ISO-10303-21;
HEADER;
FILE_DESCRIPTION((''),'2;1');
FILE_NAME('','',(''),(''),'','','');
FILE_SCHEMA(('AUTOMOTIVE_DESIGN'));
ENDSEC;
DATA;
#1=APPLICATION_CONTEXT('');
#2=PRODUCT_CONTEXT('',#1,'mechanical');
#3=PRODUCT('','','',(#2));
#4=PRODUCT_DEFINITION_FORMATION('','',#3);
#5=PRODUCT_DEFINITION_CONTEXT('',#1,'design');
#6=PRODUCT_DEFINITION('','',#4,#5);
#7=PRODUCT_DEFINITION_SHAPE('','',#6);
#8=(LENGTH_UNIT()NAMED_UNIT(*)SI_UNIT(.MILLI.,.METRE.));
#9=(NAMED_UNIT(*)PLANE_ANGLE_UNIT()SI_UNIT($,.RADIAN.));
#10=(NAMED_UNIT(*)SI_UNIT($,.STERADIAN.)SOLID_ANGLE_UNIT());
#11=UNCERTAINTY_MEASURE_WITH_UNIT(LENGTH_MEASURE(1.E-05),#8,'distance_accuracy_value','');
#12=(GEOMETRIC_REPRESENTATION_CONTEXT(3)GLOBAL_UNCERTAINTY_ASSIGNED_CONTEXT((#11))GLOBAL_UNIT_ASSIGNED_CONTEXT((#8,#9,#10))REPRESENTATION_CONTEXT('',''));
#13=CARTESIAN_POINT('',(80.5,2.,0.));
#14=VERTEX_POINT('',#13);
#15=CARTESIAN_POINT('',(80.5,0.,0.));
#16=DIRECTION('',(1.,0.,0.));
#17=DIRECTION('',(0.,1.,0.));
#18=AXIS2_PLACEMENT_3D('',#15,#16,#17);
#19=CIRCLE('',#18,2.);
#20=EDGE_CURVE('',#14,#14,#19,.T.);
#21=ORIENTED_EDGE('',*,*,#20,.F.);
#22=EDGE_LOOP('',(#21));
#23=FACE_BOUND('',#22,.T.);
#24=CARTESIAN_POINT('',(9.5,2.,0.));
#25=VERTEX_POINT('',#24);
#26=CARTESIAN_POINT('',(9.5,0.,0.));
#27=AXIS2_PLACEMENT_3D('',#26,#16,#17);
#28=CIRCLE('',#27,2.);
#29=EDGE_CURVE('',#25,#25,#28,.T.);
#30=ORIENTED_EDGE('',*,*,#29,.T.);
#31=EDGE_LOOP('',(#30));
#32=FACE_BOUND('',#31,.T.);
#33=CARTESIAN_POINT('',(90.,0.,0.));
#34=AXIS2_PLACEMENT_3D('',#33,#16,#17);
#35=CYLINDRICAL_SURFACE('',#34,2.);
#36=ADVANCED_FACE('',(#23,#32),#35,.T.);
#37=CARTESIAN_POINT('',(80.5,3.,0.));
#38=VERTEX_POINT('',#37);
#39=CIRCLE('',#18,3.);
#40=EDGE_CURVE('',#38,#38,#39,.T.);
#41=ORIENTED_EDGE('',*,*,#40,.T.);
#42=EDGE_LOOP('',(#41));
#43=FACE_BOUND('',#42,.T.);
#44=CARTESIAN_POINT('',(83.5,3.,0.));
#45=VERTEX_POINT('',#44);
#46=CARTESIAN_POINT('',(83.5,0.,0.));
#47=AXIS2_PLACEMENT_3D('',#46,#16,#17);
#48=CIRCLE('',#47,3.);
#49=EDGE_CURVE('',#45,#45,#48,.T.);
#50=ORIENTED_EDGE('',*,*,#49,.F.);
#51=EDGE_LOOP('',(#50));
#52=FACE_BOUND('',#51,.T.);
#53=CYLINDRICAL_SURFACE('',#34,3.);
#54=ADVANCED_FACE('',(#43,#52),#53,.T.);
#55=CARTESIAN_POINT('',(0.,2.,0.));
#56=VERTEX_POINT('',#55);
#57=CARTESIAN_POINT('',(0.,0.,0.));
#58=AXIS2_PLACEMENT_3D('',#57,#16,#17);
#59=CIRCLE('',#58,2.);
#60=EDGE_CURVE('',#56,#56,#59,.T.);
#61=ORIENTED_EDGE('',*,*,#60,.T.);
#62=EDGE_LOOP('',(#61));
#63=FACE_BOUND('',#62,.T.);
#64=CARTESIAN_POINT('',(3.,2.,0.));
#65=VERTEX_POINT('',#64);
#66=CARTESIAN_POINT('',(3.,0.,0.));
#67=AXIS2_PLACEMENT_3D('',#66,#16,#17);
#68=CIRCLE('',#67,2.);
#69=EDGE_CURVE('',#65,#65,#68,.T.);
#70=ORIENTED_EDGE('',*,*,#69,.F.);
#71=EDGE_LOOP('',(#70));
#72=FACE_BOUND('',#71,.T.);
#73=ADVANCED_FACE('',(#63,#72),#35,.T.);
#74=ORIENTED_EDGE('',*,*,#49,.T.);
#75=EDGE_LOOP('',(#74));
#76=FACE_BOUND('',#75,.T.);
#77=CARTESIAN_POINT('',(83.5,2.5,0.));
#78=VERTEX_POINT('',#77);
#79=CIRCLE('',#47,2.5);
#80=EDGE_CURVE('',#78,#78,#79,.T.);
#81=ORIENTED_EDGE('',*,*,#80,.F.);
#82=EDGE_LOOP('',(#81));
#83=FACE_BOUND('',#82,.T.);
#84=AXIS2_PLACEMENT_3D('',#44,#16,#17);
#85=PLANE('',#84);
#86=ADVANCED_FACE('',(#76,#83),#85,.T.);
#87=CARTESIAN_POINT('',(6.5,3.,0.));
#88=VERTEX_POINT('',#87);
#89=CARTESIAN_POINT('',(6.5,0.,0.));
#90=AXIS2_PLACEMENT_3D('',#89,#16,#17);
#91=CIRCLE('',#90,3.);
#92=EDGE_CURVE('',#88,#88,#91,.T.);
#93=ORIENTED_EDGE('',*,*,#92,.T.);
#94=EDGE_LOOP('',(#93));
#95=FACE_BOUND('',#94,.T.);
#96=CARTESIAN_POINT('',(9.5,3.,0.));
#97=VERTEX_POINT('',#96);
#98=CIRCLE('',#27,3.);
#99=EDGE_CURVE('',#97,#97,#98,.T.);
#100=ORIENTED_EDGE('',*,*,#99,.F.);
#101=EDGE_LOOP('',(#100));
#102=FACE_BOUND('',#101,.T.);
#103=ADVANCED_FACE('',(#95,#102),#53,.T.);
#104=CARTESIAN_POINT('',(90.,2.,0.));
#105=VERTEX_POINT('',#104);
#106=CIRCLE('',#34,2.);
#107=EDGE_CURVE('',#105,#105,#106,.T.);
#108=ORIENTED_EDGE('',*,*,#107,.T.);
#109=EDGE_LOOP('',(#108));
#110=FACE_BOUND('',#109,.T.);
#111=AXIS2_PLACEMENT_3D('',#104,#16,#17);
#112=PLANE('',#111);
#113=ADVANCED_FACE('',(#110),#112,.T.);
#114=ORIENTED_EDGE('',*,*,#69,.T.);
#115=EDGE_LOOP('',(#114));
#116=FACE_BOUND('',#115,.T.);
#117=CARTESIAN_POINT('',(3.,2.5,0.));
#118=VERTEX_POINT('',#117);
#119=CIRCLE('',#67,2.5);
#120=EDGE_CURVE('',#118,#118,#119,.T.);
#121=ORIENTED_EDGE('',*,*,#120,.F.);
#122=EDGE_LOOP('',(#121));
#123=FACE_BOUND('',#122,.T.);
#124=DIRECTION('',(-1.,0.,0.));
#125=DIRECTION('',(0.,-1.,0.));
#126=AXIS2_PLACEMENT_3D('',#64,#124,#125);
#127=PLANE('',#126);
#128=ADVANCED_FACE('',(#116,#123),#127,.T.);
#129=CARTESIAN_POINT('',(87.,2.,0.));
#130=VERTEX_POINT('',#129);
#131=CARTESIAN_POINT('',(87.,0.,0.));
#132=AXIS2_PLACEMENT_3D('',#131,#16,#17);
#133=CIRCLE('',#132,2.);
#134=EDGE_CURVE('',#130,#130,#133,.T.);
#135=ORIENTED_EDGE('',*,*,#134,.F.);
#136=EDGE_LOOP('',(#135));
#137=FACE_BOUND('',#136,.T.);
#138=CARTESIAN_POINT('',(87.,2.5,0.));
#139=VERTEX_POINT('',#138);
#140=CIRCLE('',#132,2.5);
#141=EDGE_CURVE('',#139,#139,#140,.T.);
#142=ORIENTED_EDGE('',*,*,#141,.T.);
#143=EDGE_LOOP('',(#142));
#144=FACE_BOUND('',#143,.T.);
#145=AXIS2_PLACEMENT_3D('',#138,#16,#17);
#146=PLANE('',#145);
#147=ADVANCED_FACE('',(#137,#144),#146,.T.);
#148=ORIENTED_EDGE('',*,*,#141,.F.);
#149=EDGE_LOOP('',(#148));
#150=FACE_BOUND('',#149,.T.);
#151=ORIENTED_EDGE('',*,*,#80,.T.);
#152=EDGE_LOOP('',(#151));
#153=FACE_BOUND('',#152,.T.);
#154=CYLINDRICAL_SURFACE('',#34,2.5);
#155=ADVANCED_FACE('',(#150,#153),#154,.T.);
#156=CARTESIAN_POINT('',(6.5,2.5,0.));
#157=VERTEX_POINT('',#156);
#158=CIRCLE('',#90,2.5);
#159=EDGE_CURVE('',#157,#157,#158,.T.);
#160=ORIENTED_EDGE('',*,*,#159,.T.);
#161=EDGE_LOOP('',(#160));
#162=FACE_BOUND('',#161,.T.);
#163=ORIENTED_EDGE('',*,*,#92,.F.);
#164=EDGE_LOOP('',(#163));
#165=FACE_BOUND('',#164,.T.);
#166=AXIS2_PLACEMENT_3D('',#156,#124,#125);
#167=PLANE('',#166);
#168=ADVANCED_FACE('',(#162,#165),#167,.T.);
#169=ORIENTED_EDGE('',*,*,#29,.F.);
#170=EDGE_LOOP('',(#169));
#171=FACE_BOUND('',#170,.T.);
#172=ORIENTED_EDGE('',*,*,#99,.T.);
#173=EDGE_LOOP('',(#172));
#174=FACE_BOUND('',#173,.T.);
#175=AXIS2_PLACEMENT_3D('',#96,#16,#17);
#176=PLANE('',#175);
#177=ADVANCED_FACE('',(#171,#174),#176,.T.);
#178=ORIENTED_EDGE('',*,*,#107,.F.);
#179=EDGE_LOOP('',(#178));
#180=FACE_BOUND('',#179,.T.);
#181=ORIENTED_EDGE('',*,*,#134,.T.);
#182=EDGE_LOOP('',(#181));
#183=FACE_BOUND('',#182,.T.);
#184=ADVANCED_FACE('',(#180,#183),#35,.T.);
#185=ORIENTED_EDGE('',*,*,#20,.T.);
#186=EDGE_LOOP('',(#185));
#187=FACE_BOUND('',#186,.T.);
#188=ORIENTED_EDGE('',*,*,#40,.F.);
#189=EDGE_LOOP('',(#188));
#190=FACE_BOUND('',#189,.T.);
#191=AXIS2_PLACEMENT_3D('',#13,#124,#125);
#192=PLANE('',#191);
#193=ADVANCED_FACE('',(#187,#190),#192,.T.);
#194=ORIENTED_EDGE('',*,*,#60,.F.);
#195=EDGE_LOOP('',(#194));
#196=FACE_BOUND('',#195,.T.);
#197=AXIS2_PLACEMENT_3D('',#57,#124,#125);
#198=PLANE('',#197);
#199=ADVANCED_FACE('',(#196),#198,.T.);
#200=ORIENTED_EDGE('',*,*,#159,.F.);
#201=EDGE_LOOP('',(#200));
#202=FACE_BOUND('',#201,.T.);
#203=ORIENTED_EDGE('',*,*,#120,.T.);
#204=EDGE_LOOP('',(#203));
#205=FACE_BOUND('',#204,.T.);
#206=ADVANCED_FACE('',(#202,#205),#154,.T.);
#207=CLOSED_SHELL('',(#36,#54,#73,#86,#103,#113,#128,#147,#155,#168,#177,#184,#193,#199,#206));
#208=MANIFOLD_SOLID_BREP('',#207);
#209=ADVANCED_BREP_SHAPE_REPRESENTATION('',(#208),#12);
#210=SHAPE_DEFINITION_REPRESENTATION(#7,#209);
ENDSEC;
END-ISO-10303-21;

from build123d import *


with BuildPart() as part:
    # Sketch1 → Revolve1 (revolve)
    with BuildSketch(Plane.XY):
        Polygon((0, 0), (0, 2), (3, 2), (3, 2.5), (6.5, 2.5), (6.5, 3), (9.5, 3), (9.5, 2), (80.5, 2), (80.5, 3), (83.5, 3), (83.5, 2.5), (87, 2.5), (87, 2), (90, 2), (90, 0), align=None)
    revolve(axis=Axis((90, 0, 0), (-1, 0, 0)))


solid = part.part
